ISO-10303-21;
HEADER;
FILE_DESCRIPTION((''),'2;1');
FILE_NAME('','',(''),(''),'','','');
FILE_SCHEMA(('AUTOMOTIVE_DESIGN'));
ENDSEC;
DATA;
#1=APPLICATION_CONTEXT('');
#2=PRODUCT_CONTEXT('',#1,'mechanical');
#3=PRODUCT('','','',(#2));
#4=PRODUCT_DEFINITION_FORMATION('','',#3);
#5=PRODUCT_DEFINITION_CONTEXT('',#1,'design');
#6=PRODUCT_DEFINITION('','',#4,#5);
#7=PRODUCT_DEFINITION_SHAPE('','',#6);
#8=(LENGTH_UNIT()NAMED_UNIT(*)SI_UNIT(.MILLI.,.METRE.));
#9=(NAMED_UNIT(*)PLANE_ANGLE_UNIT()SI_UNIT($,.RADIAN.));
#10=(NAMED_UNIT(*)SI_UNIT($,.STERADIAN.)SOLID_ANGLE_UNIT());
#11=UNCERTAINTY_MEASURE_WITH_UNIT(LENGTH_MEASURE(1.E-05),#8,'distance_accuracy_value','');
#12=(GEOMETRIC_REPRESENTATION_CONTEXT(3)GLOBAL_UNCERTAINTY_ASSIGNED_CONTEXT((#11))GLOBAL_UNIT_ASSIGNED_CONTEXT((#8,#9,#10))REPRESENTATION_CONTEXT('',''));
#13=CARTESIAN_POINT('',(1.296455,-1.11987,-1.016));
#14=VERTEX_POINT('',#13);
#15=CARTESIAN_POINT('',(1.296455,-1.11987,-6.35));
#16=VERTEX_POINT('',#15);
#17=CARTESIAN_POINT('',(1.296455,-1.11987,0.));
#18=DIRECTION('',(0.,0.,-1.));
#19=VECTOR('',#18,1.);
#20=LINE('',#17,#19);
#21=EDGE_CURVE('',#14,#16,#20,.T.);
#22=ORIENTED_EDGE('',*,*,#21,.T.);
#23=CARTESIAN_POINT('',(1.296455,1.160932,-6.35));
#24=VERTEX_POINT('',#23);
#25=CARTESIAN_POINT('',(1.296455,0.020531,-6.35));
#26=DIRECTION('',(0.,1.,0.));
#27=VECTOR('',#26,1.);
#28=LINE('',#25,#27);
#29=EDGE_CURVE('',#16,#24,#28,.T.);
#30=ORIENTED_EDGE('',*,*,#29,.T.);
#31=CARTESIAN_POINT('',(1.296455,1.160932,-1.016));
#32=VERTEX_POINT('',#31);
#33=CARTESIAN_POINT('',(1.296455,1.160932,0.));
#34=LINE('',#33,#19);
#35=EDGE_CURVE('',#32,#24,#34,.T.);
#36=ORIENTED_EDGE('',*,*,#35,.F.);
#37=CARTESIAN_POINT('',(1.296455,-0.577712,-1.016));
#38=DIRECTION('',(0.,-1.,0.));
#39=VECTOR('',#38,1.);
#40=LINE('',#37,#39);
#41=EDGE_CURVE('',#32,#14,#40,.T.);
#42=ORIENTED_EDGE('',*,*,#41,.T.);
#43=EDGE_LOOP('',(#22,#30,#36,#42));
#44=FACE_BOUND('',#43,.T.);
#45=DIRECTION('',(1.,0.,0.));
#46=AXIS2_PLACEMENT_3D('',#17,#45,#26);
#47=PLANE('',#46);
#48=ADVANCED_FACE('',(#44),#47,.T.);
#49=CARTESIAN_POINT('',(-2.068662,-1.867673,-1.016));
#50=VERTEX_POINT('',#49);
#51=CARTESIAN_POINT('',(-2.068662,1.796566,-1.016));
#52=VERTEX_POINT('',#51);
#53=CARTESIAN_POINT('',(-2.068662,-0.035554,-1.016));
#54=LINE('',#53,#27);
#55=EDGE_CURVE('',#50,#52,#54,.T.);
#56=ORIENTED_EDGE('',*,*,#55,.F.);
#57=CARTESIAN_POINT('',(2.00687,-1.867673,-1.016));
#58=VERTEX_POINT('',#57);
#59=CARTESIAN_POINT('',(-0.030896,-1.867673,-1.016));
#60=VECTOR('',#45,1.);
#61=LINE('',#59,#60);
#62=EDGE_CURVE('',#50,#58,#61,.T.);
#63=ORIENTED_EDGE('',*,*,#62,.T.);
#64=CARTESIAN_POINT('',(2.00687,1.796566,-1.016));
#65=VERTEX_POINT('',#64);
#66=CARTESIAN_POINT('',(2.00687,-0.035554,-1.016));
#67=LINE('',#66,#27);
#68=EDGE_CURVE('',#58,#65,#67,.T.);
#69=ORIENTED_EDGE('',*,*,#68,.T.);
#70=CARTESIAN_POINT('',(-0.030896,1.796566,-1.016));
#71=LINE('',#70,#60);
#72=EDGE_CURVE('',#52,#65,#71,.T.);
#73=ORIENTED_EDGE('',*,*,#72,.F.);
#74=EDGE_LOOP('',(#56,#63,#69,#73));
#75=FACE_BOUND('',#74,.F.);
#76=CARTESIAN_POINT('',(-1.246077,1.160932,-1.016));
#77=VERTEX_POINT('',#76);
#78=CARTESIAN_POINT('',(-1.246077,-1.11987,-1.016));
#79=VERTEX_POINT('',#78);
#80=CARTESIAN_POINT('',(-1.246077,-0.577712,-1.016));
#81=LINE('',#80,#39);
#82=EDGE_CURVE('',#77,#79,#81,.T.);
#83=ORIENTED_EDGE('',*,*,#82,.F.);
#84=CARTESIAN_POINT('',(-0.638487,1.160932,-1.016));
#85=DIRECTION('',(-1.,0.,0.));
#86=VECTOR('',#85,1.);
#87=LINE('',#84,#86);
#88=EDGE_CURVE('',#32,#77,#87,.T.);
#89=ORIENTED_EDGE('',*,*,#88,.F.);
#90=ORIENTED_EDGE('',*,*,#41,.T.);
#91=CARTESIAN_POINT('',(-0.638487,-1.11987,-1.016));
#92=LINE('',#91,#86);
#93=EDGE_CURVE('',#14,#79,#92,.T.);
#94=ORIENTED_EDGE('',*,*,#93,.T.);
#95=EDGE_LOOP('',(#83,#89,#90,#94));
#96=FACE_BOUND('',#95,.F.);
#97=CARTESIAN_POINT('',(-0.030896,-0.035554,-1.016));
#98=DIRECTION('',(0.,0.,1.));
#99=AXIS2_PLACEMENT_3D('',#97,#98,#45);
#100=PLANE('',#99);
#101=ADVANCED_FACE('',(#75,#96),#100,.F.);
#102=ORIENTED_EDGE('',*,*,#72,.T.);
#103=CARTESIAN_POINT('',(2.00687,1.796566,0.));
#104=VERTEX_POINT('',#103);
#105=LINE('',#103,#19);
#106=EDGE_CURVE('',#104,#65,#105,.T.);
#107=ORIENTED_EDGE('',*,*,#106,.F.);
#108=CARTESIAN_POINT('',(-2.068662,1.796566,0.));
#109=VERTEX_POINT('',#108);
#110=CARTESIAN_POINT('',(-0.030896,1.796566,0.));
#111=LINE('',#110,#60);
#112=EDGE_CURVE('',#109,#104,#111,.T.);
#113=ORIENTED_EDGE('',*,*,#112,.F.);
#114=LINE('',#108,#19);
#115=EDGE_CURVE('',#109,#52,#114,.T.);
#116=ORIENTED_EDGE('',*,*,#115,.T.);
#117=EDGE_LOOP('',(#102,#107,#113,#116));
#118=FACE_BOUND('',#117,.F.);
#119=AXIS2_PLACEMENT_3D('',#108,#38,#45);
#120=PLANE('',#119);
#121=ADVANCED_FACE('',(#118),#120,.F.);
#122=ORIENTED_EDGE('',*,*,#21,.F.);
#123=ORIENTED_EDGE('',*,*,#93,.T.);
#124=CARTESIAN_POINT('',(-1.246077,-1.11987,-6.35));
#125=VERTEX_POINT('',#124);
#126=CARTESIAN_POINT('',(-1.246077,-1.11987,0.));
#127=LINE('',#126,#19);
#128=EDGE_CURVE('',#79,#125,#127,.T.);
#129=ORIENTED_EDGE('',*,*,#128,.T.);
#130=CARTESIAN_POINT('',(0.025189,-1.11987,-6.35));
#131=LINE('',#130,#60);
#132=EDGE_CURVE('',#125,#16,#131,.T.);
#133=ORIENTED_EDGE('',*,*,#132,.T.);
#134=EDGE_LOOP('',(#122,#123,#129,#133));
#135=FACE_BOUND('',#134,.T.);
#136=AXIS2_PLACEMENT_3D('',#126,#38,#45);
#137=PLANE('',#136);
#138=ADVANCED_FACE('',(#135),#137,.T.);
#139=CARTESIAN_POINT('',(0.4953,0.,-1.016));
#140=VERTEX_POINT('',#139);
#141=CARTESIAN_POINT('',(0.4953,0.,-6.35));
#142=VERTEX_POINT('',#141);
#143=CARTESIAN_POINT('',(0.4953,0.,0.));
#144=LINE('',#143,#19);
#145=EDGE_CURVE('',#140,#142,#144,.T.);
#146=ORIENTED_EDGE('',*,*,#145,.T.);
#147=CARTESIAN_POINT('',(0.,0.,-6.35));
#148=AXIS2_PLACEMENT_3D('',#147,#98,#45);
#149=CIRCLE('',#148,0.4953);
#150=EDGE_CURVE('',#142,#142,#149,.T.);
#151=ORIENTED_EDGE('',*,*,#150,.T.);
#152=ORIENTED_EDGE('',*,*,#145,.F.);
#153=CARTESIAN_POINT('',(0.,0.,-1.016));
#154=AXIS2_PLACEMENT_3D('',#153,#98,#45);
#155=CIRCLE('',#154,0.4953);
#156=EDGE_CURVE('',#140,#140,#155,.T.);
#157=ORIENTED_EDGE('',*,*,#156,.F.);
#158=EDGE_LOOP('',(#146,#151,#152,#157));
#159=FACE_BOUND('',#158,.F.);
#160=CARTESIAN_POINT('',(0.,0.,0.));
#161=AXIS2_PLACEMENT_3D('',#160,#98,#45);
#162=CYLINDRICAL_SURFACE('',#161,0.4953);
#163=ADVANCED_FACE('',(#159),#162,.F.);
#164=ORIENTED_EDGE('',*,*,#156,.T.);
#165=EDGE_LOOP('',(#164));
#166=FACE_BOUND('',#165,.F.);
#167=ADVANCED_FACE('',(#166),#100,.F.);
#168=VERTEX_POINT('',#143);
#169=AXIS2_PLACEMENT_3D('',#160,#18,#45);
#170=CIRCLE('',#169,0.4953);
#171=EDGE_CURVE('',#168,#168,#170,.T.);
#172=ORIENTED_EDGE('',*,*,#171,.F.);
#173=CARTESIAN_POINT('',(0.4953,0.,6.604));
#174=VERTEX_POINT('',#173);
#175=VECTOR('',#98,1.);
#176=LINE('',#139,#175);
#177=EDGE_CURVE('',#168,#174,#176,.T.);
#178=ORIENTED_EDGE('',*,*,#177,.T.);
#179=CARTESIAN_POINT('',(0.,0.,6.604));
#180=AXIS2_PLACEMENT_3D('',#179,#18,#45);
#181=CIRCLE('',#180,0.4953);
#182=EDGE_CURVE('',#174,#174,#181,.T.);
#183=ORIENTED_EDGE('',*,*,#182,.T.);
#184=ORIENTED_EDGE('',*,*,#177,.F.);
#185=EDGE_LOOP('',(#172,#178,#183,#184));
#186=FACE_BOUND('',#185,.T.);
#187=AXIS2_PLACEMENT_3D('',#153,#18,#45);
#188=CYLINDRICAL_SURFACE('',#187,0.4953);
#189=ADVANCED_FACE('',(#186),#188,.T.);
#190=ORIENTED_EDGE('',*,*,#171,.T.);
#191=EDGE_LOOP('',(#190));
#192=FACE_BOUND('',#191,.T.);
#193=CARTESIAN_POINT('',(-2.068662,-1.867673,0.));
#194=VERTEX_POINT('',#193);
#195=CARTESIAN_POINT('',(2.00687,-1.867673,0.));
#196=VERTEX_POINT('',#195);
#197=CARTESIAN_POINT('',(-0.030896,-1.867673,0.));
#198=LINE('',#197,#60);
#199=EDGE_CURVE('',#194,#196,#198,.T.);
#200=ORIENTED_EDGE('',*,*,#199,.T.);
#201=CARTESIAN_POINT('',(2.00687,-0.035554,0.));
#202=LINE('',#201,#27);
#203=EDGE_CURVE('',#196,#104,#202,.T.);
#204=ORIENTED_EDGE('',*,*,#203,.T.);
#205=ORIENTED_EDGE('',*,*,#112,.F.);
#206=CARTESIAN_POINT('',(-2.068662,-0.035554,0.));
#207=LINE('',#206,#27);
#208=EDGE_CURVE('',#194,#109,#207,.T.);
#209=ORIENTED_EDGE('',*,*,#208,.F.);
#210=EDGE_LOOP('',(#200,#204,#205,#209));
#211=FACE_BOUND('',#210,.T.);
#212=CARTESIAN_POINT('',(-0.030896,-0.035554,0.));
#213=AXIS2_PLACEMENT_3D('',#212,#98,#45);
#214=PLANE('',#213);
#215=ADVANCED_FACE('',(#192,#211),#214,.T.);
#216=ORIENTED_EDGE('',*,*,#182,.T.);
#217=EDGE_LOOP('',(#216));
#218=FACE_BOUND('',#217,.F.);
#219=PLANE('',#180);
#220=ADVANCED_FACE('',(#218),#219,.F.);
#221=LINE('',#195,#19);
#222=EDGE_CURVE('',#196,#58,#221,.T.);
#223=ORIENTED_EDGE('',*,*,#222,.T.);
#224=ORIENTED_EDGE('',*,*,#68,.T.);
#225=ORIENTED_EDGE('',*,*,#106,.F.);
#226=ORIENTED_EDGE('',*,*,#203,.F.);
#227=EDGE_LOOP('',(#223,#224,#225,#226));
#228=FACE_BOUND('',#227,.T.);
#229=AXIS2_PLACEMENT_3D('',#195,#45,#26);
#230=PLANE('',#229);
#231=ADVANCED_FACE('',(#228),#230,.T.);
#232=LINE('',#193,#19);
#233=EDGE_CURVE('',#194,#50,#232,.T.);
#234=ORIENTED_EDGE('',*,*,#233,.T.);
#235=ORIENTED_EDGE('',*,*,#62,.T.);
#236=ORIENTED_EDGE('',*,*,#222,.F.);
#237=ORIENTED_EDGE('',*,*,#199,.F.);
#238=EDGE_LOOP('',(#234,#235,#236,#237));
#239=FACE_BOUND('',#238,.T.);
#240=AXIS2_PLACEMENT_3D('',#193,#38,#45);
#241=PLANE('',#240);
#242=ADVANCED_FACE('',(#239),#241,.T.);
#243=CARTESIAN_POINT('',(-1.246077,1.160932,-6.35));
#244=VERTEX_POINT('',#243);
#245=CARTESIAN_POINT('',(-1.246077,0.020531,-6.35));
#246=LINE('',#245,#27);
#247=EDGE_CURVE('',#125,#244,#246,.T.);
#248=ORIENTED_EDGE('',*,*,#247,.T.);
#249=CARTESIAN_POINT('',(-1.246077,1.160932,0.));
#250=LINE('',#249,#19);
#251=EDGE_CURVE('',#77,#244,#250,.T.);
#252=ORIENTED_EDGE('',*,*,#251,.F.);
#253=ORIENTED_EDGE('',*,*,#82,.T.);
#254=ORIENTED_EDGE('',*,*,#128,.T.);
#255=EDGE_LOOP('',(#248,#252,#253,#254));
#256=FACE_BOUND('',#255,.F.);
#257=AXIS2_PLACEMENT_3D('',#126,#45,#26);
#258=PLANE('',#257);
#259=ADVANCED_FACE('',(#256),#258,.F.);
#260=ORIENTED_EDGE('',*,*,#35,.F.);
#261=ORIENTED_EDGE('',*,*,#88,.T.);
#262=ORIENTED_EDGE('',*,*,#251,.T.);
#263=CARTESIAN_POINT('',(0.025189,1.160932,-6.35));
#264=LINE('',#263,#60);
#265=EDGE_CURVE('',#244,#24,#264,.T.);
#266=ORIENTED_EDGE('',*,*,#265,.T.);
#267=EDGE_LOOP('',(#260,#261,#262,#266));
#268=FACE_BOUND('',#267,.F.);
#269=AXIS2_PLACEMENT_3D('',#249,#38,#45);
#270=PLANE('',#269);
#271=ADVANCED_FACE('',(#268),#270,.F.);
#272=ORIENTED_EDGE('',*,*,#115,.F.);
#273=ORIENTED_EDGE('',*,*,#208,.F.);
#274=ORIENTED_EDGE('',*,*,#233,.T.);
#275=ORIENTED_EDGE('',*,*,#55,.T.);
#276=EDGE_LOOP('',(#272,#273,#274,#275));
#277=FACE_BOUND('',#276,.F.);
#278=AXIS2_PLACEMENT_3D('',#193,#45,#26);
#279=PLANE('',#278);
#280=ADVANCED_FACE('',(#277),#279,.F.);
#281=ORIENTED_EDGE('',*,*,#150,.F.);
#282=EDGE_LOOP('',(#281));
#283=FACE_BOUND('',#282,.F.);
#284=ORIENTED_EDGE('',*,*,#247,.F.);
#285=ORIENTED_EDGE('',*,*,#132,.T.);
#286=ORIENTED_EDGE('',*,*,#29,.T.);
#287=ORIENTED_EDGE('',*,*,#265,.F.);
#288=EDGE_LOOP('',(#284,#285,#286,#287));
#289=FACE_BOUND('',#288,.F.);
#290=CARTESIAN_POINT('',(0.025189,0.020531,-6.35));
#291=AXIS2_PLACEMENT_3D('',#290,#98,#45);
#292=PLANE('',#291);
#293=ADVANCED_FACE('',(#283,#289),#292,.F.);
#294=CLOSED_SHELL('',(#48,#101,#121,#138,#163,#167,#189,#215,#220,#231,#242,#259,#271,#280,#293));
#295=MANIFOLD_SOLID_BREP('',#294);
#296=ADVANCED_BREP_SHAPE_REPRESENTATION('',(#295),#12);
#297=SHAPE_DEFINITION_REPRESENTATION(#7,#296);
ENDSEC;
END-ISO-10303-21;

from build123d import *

# Parameters (mm, degrees)
F0_W      = 2.542533
F0_H      = 2.280801
F0_R      = 0.4953
F2_DEPTH  = 6.35
F1_W      = 4.075531
F1_H      = 3.664239
F3_DEPTH  = 1.016
F3_FACE_R = 0.4953
F4_DEPTH  = 7.62


with BuildPart() as f2:
    # F0 (on Top) → F2 (new body)
    with BuildSketch(Plane.XY):
        with Locations((0.025189, 0.020531)):
            Rectangle(F0_W, F0_H)
        Circle(F0_R, mode=Mode.SUBTRACT)
    extrude(amount=-F2_DEPTH)

    # F1 (on Top) → F3 (join)
    with BuildSketch(Plane.XY):
        with Locations((-0.030896, -0.035554)):
            Rectangle(F1_W, F1_H)
    extrude(amount=-F3_DEPTH)

    # F3_face (on face) → F4 (join)
    with BuildSketch(Plane(origin=(0, 0, -1.016), x_dir=(1, 0, 0), z_dir=(0, 0, -1))):
        Circle(F3_FACE_R)
    extrude(amount=-F4_DEPTH)


solid = f2.part
